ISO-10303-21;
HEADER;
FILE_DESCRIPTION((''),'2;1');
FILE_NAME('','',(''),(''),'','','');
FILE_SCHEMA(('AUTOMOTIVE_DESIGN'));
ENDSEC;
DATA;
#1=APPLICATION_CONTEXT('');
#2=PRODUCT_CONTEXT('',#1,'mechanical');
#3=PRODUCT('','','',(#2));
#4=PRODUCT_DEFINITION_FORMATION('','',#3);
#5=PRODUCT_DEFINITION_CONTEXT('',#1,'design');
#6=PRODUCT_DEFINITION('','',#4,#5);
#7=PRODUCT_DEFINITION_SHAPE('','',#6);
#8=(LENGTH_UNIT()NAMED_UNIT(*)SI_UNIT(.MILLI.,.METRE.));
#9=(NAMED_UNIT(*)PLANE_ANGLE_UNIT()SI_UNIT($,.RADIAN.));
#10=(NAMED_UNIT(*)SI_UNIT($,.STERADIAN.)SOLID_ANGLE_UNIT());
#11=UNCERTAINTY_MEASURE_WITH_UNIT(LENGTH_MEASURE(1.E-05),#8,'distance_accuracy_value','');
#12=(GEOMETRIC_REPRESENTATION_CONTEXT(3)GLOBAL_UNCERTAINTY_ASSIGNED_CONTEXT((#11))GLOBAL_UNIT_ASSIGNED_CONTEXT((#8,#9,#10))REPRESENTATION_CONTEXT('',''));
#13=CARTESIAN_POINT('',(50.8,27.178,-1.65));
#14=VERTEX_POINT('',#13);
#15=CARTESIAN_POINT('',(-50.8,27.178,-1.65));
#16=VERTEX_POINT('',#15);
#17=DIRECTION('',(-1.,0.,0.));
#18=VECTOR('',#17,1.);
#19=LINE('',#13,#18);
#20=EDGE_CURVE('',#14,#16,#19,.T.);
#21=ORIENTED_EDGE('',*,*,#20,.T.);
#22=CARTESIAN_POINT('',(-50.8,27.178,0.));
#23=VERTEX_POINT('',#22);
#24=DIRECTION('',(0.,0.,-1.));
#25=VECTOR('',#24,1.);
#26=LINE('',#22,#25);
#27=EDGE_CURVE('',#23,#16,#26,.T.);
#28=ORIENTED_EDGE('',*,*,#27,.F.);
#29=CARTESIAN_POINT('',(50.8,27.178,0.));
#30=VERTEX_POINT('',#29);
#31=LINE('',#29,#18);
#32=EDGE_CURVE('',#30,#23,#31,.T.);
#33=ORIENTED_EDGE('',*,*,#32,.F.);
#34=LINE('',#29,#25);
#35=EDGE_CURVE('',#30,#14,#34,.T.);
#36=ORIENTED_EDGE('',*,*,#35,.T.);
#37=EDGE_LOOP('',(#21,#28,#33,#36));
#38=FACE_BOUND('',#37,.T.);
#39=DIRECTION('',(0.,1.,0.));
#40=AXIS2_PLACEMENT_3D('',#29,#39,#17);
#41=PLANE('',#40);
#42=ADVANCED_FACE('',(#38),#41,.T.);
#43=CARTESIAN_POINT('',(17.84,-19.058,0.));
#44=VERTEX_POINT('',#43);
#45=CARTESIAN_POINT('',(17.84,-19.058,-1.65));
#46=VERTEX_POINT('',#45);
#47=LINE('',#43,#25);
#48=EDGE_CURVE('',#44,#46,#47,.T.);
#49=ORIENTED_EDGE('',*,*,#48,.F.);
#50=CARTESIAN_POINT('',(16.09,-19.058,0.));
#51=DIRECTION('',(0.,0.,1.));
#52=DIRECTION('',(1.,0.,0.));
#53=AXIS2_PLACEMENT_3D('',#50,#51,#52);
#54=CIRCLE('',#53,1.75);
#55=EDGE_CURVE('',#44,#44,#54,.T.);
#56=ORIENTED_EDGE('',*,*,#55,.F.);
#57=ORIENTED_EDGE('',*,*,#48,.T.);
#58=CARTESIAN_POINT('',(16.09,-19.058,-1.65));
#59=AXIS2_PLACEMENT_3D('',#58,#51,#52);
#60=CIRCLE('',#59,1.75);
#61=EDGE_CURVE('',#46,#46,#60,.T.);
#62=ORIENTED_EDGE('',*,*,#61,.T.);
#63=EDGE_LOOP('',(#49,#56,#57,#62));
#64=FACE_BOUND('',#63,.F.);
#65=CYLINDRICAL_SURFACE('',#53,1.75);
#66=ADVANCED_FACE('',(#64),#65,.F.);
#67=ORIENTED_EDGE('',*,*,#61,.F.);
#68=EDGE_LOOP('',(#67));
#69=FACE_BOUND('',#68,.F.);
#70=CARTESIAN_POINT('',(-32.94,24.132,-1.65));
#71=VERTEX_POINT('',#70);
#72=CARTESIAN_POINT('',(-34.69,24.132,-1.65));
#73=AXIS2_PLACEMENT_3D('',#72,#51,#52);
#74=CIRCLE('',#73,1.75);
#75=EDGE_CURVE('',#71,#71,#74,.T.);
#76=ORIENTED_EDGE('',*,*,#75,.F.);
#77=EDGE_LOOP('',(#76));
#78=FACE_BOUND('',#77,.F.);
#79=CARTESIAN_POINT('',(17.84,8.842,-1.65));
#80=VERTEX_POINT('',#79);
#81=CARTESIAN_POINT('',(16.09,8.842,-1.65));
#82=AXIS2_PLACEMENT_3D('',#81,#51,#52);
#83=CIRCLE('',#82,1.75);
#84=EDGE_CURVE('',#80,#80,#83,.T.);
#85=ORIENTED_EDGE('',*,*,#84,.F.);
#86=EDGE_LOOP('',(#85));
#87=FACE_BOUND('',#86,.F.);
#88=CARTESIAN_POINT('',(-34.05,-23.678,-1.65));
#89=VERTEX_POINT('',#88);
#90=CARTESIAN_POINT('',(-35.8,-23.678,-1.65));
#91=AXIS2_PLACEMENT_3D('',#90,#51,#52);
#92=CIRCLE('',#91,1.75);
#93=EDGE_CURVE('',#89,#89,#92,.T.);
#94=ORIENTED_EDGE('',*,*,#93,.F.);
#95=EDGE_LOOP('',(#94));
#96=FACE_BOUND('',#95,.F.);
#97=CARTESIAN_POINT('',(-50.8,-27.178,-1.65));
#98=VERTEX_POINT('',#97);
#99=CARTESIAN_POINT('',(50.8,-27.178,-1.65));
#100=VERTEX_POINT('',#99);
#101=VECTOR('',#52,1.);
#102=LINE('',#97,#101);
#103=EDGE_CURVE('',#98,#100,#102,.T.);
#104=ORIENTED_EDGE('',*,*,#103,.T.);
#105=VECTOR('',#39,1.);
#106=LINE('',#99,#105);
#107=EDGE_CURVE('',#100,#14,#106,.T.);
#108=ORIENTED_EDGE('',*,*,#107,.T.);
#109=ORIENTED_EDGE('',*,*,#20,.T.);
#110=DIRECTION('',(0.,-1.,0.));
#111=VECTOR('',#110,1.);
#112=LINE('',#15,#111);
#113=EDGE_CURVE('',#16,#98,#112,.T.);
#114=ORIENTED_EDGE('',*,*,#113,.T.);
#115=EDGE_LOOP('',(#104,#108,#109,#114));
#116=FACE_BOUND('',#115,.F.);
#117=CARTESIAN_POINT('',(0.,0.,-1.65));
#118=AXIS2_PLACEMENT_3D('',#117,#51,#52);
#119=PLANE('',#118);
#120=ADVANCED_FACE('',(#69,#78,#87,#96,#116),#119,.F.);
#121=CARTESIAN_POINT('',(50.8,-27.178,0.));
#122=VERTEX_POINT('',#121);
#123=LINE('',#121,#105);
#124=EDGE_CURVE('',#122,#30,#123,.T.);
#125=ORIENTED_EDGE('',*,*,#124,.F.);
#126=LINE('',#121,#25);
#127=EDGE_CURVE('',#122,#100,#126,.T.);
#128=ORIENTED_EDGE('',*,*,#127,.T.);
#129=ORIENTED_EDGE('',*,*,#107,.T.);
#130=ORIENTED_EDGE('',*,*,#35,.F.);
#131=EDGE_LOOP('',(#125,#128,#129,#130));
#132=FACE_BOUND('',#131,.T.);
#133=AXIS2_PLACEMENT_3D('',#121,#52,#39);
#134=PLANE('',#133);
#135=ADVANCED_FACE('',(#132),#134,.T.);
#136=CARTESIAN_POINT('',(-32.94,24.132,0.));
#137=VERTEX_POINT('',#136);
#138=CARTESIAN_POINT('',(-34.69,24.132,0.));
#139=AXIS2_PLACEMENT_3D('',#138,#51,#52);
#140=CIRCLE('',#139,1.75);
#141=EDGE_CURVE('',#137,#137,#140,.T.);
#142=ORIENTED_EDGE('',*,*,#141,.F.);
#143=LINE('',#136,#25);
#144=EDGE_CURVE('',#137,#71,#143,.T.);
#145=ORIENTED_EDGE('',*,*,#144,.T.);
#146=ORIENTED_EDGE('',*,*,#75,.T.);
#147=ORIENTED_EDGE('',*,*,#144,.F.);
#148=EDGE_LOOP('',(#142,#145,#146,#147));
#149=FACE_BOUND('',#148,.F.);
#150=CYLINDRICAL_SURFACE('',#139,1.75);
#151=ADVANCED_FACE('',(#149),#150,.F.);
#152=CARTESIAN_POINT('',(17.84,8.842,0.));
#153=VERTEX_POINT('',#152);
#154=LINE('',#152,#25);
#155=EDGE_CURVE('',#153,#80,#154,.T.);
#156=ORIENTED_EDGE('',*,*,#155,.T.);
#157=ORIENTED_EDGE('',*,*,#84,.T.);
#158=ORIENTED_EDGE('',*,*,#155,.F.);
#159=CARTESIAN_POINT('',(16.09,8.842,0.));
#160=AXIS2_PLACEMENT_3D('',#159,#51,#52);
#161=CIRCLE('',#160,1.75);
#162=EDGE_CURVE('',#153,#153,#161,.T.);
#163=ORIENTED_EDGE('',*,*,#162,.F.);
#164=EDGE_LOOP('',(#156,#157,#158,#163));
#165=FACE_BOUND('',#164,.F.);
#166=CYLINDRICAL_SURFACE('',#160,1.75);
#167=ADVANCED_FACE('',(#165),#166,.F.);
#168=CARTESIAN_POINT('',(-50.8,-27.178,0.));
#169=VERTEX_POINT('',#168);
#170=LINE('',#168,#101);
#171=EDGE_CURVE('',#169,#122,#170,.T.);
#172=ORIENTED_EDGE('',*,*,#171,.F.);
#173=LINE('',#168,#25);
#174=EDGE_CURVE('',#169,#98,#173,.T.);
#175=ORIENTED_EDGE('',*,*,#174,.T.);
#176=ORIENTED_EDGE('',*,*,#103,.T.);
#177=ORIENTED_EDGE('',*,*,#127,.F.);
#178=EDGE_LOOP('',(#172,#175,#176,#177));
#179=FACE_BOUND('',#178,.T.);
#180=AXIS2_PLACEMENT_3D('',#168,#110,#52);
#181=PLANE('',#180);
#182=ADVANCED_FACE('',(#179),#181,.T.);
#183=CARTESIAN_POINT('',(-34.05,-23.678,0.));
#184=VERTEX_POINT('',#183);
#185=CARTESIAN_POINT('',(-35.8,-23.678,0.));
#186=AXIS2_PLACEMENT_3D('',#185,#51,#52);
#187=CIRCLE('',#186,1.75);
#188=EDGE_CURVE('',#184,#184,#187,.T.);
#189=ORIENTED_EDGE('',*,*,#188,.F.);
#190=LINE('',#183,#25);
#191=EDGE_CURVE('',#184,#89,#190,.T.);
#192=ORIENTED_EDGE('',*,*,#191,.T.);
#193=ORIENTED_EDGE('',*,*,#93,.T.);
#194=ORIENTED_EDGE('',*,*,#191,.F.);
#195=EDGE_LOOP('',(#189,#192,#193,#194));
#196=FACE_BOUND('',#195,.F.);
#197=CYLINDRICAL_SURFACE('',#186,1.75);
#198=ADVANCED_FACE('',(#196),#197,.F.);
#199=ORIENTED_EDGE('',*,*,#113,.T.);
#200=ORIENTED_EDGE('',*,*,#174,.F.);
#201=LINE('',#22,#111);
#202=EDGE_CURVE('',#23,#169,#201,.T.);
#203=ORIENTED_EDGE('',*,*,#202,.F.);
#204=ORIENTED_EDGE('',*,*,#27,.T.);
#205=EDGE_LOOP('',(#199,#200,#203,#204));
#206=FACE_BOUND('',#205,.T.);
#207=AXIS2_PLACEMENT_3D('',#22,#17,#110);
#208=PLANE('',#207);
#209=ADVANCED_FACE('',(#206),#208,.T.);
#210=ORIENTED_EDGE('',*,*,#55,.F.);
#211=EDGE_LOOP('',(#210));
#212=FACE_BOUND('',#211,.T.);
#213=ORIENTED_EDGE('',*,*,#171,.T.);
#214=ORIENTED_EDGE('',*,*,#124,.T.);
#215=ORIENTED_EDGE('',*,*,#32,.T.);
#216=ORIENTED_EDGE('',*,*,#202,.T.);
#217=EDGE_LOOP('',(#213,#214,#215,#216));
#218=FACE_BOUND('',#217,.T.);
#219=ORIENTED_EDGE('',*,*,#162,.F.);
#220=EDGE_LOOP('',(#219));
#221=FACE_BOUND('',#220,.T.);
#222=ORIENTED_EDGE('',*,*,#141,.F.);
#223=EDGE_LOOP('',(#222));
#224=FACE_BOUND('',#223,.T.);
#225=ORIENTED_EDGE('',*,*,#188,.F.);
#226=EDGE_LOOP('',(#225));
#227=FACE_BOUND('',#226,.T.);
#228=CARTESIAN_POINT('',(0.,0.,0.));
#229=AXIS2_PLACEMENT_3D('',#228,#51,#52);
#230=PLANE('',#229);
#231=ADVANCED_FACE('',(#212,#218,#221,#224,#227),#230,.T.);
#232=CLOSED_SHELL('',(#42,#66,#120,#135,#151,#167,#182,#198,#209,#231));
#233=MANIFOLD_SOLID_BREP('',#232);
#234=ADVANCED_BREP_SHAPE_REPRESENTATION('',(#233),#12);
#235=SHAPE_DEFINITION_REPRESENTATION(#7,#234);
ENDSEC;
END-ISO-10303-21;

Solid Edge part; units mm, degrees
sketch "Sketch1" plane through (0, 0, 0) normal (0, 0, 1) x (1, 0, 0)
  line L0 (-50.8, -27.178) -> (50.8, -27.178)
  line L1 (50.8, -27.178) -> (50.8, 27.178)
  line L2 (50.8, 27.178) -> (-50.8, 27.178)
  line L3 (-50.8, 27.178) -> (-50.8, -27.178)
extrude "Protrusion1" add sketch "Sketch1" against normal blind 1.65
sketch "Sketch2" plane through (0, 0, 0) normal (0, 0, 1) x (1, 0, 0)
  circle A0 centre (-34.69, 24.132) radius 1.75
  circle A1 centre (-35.8, -23.678) radius 1.75
  circle A2 centre (16.09, -19.058) radius 1.75
  circle A3 centre (16.09, 8.842) radius 1.75
  dimension "D1" = 3.5
  dimension "D2" = 3.5
  dimension "D3" = 3.5
  dimension "D4" = 1.11
  dimension "D5" = 47.81
  dimension "D6" = 3.5
  dimension "D7" = 4.62
  dimension "D8" = 27.9
  dimension "D9" = 51.89
  dimension "D10" = 22
  dimension "D11" = 15
  dimension "D12" = 3.5
extrude "Cutout1" cut sketch "Sketch2" against normal up to vertex (1.65 mm away)
